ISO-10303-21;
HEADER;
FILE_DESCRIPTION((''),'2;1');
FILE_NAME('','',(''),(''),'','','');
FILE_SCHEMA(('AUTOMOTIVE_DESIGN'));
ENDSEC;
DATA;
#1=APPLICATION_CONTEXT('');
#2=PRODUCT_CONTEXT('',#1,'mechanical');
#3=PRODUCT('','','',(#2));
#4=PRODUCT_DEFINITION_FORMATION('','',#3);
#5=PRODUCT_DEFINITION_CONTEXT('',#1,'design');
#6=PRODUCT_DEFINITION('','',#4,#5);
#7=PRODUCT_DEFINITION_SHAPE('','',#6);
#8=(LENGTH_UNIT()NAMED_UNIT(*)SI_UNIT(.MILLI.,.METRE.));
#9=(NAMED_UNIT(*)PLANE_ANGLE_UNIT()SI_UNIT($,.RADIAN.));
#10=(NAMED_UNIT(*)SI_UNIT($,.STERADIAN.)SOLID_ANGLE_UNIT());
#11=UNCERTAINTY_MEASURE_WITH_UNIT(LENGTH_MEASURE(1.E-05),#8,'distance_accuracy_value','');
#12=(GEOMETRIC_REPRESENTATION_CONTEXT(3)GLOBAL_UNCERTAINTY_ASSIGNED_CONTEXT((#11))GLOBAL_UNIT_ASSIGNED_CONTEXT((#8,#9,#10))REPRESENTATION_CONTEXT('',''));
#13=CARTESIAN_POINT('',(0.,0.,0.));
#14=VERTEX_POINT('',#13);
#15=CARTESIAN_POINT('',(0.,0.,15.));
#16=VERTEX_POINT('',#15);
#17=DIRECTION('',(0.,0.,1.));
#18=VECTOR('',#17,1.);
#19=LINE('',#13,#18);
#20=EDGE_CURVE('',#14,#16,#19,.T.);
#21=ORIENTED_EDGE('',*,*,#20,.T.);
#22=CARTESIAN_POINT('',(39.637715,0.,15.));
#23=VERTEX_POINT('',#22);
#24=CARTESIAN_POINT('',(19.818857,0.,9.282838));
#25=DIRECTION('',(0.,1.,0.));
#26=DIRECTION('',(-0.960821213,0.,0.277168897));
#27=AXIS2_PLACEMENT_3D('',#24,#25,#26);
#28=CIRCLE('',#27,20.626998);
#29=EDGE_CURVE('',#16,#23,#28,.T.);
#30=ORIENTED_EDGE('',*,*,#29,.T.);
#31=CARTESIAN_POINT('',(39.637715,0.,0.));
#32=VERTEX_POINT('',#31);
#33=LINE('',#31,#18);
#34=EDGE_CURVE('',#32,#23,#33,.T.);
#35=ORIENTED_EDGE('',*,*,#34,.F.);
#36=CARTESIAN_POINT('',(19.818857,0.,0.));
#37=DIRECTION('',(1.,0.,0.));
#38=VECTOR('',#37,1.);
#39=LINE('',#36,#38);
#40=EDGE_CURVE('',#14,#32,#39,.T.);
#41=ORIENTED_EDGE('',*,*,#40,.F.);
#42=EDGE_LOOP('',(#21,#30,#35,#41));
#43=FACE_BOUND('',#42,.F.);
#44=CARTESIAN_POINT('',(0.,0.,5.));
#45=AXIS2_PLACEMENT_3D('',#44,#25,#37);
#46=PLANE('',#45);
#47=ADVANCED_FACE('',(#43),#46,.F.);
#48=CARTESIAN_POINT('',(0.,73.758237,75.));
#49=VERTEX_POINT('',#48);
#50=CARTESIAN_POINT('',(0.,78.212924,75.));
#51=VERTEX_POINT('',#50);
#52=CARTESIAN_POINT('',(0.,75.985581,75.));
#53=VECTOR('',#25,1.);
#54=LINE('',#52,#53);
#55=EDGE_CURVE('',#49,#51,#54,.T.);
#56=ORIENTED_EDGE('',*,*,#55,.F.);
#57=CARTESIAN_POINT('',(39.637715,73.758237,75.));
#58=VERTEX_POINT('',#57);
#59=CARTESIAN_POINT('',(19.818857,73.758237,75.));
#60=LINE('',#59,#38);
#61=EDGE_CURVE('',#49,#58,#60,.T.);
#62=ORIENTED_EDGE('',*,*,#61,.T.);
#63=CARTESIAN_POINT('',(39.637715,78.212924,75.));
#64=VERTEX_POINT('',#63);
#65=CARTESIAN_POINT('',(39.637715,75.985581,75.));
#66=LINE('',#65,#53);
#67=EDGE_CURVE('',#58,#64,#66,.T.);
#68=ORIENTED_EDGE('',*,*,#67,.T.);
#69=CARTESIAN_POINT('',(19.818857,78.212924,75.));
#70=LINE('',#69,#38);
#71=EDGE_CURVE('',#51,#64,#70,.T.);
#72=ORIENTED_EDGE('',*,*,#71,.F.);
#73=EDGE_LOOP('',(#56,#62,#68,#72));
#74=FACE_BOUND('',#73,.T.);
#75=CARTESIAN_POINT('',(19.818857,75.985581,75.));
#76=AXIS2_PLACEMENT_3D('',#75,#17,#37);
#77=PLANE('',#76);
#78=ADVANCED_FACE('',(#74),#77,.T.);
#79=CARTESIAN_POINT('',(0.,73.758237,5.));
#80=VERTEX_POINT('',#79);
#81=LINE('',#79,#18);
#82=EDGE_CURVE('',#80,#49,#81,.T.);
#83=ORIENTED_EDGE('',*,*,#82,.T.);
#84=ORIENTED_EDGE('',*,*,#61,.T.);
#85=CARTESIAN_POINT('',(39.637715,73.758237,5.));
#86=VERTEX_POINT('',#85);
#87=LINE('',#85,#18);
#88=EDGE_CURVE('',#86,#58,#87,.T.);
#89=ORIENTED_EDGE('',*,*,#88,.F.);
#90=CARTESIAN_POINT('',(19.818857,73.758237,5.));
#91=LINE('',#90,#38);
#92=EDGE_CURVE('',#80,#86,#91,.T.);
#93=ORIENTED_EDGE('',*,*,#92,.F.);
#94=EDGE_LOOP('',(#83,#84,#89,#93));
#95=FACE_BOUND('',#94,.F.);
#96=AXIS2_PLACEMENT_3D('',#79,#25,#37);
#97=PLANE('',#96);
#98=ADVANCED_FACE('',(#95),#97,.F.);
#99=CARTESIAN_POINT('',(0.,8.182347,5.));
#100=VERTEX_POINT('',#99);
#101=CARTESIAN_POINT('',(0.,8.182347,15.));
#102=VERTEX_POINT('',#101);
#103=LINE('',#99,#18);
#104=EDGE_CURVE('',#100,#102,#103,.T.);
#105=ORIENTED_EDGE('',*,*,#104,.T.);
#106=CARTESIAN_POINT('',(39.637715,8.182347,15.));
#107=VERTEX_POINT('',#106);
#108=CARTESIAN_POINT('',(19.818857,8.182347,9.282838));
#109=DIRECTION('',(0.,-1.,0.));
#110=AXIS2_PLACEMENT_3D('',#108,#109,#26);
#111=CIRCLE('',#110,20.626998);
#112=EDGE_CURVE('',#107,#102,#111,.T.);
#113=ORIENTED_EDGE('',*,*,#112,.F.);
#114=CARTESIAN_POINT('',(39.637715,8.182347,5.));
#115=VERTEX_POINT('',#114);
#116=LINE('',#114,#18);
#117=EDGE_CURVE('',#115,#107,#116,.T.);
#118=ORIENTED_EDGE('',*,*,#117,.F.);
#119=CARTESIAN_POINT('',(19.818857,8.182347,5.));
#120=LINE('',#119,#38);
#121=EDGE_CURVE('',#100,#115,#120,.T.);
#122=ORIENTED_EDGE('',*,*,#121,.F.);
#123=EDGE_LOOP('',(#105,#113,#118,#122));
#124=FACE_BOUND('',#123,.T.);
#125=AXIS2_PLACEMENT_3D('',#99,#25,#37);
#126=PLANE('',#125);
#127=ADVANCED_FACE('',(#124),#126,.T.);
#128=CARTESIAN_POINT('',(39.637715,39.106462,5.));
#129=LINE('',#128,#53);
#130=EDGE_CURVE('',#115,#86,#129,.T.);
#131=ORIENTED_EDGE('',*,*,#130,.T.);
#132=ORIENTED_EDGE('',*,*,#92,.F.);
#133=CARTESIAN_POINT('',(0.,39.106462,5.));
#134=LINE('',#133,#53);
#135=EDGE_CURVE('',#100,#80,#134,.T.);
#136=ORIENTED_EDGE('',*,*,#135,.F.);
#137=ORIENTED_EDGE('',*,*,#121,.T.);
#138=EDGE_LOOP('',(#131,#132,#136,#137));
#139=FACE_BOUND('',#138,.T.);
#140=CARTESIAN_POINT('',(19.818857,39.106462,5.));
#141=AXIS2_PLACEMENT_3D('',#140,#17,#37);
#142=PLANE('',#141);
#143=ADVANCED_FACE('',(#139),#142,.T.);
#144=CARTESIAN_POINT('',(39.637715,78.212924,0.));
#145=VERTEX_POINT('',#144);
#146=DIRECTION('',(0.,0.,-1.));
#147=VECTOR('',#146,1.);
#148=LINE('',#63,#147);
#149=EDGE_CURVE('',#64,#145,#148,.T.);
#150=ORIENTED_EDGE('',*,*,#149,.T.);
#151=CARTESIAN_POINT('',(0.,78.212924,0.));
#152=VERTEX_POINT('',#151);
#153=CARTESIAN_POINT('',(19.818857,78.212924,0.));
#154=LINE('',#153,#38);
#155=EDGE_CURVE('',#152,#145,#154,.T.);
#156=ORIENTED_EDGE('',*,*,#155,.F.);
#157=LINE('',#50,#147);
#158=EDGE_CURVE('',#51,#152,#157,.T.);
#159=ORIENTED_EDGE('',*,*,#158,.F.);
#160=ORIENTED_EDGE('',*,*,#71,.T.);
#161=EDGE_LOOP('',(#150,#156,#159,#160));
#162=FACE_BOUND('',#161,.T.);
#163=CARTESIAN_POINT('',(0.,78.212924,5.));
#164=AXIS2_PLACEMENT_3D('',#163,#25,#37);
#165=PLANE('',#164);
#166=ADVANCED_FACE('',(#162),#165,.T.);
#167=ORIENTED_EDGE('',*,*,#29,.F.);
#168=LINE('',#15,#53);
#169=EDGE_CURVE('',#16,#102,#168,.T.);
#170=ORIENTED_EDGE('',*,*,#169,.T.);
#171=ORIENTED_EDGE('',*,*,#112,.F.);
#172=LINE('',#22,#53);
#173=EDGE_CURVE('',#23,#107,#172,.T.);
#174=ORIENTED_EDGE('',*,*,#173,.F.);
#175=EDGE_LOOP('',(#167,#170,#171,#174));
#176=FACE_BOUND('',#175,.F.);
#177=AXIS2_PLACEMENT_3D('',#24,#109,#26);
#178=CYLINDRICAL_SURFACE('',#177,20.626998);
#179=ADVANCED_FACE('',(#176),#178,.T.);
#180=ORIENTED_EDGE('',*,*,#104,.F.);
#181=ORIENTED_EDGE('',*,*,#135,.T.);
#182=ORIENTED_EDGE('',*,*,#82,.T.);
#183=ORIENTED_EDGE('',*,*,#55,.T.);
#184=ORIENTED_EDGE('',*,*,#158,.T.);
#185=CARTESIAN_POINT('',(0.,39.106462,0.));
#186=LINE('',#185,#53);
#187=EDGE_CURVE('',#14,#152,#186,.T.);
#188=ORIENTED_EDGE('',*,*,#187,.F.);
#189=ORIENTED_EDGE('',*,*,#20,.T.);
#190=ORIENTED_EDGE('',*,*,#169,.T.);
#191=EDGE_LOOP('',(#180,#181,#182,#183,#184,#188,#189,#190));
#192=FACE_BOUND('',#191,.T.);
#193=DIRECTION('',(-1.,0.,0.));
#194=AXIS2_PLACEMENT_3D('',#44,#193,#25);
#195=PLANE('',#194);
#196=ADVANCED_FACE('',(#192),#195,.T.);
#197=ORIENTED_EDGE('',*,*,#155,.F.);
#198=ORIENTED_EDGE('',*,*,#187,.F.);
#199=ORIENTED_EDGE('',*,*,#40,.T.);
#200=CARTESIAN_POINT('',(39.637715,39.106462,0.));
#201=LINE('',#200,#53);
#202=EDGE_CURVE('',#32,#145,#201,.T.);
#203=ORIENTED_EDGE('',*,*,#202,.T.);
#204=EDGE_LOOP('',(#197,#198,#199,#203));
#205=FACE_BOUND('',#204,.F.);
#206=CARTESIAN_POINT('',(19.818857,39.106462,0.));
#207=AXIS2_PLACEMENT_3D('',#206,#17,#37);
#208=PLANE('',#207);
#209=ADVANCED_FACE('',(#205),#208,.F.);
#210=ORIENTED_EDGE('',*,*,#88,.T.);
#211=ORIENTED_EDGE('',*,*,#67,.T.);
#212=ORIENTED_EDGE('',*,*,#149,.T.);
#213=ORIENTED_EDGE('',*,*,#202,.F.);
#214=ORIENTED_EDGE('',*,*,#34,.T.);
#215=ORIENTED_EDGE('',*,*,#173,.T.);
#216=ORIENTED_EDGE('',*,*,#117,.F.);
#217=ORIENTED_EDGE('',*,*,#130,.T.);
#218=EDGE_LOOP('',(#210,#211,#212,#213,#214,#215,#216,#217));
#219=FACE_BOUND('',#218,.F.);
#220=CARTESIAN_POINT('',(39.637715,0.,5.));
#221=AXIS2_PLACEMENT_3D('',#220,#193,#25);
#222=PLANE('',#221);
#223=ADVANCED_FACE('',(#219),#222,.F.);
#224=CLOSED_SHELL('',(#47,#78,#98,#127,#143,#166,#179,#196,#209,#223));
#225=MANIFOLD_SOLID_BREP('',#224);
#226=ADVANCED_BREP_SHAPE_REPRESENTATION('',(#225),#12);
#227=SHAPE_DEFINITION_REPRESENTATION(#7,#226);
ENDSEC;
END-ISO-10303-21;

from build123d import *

# Parameters (mm, degrees)
F0_W     = 39.6377146244
F0_H     = 78.2129243016
F1_DEPTH = 5
F2_W     = 39.6377146244
F2_H     = 4.4546872377
F3_DEPTH = 70
F4_W     = 39.6377146244
F4_H     = 8.1823468208
F5_DEPTH = 25
F7_DEPTH = 25


with BuildPart() as f1:
    # F0 (on Top) → F1 (new body)
    with BuildSketch(Plane.XY):
        with Locations((19.8188573122, 39.1064621508)):
            Rectangle(F0_W, F0_H)
    extrude(amount=F1_DEPTH)

    # F2 (on face) → F3 (join)
    with BuildSketch(Plane.XY.offset(5)):
        with Locations((19.8188573122, 75.9855806828)):
            Rectangle(F2_W, F2_H)
    extrude(amount=F3_DEPTH)

    # F4 (on face) → F5 (join)
    with BuildSketch(Plane.XY.offset(5)):
        with Locations((19.8188573122, 4.0911734104)):
            Rectangle(F4_W, F4_H)
    extrude(amount=F5_DEPTH)

    # F6 (on face) → F7 (cut)
    with BuildSketch(Plane.XZ):
        with BuildLine():
            ThreePointArc((0, 15), (19.8188573122, 29.9098357825), (39.6377146244, 15))
            Line((39.6377146244, 15), (39.6377146244, 30))
            Line((39.6377146244, 30), (0, 30))
            Line((0, 30), (0, 15))
        make_face()
    extrude(amount=-F7_DEPTH, mode=Mode.SUBTRACT)


solid = f1.part
